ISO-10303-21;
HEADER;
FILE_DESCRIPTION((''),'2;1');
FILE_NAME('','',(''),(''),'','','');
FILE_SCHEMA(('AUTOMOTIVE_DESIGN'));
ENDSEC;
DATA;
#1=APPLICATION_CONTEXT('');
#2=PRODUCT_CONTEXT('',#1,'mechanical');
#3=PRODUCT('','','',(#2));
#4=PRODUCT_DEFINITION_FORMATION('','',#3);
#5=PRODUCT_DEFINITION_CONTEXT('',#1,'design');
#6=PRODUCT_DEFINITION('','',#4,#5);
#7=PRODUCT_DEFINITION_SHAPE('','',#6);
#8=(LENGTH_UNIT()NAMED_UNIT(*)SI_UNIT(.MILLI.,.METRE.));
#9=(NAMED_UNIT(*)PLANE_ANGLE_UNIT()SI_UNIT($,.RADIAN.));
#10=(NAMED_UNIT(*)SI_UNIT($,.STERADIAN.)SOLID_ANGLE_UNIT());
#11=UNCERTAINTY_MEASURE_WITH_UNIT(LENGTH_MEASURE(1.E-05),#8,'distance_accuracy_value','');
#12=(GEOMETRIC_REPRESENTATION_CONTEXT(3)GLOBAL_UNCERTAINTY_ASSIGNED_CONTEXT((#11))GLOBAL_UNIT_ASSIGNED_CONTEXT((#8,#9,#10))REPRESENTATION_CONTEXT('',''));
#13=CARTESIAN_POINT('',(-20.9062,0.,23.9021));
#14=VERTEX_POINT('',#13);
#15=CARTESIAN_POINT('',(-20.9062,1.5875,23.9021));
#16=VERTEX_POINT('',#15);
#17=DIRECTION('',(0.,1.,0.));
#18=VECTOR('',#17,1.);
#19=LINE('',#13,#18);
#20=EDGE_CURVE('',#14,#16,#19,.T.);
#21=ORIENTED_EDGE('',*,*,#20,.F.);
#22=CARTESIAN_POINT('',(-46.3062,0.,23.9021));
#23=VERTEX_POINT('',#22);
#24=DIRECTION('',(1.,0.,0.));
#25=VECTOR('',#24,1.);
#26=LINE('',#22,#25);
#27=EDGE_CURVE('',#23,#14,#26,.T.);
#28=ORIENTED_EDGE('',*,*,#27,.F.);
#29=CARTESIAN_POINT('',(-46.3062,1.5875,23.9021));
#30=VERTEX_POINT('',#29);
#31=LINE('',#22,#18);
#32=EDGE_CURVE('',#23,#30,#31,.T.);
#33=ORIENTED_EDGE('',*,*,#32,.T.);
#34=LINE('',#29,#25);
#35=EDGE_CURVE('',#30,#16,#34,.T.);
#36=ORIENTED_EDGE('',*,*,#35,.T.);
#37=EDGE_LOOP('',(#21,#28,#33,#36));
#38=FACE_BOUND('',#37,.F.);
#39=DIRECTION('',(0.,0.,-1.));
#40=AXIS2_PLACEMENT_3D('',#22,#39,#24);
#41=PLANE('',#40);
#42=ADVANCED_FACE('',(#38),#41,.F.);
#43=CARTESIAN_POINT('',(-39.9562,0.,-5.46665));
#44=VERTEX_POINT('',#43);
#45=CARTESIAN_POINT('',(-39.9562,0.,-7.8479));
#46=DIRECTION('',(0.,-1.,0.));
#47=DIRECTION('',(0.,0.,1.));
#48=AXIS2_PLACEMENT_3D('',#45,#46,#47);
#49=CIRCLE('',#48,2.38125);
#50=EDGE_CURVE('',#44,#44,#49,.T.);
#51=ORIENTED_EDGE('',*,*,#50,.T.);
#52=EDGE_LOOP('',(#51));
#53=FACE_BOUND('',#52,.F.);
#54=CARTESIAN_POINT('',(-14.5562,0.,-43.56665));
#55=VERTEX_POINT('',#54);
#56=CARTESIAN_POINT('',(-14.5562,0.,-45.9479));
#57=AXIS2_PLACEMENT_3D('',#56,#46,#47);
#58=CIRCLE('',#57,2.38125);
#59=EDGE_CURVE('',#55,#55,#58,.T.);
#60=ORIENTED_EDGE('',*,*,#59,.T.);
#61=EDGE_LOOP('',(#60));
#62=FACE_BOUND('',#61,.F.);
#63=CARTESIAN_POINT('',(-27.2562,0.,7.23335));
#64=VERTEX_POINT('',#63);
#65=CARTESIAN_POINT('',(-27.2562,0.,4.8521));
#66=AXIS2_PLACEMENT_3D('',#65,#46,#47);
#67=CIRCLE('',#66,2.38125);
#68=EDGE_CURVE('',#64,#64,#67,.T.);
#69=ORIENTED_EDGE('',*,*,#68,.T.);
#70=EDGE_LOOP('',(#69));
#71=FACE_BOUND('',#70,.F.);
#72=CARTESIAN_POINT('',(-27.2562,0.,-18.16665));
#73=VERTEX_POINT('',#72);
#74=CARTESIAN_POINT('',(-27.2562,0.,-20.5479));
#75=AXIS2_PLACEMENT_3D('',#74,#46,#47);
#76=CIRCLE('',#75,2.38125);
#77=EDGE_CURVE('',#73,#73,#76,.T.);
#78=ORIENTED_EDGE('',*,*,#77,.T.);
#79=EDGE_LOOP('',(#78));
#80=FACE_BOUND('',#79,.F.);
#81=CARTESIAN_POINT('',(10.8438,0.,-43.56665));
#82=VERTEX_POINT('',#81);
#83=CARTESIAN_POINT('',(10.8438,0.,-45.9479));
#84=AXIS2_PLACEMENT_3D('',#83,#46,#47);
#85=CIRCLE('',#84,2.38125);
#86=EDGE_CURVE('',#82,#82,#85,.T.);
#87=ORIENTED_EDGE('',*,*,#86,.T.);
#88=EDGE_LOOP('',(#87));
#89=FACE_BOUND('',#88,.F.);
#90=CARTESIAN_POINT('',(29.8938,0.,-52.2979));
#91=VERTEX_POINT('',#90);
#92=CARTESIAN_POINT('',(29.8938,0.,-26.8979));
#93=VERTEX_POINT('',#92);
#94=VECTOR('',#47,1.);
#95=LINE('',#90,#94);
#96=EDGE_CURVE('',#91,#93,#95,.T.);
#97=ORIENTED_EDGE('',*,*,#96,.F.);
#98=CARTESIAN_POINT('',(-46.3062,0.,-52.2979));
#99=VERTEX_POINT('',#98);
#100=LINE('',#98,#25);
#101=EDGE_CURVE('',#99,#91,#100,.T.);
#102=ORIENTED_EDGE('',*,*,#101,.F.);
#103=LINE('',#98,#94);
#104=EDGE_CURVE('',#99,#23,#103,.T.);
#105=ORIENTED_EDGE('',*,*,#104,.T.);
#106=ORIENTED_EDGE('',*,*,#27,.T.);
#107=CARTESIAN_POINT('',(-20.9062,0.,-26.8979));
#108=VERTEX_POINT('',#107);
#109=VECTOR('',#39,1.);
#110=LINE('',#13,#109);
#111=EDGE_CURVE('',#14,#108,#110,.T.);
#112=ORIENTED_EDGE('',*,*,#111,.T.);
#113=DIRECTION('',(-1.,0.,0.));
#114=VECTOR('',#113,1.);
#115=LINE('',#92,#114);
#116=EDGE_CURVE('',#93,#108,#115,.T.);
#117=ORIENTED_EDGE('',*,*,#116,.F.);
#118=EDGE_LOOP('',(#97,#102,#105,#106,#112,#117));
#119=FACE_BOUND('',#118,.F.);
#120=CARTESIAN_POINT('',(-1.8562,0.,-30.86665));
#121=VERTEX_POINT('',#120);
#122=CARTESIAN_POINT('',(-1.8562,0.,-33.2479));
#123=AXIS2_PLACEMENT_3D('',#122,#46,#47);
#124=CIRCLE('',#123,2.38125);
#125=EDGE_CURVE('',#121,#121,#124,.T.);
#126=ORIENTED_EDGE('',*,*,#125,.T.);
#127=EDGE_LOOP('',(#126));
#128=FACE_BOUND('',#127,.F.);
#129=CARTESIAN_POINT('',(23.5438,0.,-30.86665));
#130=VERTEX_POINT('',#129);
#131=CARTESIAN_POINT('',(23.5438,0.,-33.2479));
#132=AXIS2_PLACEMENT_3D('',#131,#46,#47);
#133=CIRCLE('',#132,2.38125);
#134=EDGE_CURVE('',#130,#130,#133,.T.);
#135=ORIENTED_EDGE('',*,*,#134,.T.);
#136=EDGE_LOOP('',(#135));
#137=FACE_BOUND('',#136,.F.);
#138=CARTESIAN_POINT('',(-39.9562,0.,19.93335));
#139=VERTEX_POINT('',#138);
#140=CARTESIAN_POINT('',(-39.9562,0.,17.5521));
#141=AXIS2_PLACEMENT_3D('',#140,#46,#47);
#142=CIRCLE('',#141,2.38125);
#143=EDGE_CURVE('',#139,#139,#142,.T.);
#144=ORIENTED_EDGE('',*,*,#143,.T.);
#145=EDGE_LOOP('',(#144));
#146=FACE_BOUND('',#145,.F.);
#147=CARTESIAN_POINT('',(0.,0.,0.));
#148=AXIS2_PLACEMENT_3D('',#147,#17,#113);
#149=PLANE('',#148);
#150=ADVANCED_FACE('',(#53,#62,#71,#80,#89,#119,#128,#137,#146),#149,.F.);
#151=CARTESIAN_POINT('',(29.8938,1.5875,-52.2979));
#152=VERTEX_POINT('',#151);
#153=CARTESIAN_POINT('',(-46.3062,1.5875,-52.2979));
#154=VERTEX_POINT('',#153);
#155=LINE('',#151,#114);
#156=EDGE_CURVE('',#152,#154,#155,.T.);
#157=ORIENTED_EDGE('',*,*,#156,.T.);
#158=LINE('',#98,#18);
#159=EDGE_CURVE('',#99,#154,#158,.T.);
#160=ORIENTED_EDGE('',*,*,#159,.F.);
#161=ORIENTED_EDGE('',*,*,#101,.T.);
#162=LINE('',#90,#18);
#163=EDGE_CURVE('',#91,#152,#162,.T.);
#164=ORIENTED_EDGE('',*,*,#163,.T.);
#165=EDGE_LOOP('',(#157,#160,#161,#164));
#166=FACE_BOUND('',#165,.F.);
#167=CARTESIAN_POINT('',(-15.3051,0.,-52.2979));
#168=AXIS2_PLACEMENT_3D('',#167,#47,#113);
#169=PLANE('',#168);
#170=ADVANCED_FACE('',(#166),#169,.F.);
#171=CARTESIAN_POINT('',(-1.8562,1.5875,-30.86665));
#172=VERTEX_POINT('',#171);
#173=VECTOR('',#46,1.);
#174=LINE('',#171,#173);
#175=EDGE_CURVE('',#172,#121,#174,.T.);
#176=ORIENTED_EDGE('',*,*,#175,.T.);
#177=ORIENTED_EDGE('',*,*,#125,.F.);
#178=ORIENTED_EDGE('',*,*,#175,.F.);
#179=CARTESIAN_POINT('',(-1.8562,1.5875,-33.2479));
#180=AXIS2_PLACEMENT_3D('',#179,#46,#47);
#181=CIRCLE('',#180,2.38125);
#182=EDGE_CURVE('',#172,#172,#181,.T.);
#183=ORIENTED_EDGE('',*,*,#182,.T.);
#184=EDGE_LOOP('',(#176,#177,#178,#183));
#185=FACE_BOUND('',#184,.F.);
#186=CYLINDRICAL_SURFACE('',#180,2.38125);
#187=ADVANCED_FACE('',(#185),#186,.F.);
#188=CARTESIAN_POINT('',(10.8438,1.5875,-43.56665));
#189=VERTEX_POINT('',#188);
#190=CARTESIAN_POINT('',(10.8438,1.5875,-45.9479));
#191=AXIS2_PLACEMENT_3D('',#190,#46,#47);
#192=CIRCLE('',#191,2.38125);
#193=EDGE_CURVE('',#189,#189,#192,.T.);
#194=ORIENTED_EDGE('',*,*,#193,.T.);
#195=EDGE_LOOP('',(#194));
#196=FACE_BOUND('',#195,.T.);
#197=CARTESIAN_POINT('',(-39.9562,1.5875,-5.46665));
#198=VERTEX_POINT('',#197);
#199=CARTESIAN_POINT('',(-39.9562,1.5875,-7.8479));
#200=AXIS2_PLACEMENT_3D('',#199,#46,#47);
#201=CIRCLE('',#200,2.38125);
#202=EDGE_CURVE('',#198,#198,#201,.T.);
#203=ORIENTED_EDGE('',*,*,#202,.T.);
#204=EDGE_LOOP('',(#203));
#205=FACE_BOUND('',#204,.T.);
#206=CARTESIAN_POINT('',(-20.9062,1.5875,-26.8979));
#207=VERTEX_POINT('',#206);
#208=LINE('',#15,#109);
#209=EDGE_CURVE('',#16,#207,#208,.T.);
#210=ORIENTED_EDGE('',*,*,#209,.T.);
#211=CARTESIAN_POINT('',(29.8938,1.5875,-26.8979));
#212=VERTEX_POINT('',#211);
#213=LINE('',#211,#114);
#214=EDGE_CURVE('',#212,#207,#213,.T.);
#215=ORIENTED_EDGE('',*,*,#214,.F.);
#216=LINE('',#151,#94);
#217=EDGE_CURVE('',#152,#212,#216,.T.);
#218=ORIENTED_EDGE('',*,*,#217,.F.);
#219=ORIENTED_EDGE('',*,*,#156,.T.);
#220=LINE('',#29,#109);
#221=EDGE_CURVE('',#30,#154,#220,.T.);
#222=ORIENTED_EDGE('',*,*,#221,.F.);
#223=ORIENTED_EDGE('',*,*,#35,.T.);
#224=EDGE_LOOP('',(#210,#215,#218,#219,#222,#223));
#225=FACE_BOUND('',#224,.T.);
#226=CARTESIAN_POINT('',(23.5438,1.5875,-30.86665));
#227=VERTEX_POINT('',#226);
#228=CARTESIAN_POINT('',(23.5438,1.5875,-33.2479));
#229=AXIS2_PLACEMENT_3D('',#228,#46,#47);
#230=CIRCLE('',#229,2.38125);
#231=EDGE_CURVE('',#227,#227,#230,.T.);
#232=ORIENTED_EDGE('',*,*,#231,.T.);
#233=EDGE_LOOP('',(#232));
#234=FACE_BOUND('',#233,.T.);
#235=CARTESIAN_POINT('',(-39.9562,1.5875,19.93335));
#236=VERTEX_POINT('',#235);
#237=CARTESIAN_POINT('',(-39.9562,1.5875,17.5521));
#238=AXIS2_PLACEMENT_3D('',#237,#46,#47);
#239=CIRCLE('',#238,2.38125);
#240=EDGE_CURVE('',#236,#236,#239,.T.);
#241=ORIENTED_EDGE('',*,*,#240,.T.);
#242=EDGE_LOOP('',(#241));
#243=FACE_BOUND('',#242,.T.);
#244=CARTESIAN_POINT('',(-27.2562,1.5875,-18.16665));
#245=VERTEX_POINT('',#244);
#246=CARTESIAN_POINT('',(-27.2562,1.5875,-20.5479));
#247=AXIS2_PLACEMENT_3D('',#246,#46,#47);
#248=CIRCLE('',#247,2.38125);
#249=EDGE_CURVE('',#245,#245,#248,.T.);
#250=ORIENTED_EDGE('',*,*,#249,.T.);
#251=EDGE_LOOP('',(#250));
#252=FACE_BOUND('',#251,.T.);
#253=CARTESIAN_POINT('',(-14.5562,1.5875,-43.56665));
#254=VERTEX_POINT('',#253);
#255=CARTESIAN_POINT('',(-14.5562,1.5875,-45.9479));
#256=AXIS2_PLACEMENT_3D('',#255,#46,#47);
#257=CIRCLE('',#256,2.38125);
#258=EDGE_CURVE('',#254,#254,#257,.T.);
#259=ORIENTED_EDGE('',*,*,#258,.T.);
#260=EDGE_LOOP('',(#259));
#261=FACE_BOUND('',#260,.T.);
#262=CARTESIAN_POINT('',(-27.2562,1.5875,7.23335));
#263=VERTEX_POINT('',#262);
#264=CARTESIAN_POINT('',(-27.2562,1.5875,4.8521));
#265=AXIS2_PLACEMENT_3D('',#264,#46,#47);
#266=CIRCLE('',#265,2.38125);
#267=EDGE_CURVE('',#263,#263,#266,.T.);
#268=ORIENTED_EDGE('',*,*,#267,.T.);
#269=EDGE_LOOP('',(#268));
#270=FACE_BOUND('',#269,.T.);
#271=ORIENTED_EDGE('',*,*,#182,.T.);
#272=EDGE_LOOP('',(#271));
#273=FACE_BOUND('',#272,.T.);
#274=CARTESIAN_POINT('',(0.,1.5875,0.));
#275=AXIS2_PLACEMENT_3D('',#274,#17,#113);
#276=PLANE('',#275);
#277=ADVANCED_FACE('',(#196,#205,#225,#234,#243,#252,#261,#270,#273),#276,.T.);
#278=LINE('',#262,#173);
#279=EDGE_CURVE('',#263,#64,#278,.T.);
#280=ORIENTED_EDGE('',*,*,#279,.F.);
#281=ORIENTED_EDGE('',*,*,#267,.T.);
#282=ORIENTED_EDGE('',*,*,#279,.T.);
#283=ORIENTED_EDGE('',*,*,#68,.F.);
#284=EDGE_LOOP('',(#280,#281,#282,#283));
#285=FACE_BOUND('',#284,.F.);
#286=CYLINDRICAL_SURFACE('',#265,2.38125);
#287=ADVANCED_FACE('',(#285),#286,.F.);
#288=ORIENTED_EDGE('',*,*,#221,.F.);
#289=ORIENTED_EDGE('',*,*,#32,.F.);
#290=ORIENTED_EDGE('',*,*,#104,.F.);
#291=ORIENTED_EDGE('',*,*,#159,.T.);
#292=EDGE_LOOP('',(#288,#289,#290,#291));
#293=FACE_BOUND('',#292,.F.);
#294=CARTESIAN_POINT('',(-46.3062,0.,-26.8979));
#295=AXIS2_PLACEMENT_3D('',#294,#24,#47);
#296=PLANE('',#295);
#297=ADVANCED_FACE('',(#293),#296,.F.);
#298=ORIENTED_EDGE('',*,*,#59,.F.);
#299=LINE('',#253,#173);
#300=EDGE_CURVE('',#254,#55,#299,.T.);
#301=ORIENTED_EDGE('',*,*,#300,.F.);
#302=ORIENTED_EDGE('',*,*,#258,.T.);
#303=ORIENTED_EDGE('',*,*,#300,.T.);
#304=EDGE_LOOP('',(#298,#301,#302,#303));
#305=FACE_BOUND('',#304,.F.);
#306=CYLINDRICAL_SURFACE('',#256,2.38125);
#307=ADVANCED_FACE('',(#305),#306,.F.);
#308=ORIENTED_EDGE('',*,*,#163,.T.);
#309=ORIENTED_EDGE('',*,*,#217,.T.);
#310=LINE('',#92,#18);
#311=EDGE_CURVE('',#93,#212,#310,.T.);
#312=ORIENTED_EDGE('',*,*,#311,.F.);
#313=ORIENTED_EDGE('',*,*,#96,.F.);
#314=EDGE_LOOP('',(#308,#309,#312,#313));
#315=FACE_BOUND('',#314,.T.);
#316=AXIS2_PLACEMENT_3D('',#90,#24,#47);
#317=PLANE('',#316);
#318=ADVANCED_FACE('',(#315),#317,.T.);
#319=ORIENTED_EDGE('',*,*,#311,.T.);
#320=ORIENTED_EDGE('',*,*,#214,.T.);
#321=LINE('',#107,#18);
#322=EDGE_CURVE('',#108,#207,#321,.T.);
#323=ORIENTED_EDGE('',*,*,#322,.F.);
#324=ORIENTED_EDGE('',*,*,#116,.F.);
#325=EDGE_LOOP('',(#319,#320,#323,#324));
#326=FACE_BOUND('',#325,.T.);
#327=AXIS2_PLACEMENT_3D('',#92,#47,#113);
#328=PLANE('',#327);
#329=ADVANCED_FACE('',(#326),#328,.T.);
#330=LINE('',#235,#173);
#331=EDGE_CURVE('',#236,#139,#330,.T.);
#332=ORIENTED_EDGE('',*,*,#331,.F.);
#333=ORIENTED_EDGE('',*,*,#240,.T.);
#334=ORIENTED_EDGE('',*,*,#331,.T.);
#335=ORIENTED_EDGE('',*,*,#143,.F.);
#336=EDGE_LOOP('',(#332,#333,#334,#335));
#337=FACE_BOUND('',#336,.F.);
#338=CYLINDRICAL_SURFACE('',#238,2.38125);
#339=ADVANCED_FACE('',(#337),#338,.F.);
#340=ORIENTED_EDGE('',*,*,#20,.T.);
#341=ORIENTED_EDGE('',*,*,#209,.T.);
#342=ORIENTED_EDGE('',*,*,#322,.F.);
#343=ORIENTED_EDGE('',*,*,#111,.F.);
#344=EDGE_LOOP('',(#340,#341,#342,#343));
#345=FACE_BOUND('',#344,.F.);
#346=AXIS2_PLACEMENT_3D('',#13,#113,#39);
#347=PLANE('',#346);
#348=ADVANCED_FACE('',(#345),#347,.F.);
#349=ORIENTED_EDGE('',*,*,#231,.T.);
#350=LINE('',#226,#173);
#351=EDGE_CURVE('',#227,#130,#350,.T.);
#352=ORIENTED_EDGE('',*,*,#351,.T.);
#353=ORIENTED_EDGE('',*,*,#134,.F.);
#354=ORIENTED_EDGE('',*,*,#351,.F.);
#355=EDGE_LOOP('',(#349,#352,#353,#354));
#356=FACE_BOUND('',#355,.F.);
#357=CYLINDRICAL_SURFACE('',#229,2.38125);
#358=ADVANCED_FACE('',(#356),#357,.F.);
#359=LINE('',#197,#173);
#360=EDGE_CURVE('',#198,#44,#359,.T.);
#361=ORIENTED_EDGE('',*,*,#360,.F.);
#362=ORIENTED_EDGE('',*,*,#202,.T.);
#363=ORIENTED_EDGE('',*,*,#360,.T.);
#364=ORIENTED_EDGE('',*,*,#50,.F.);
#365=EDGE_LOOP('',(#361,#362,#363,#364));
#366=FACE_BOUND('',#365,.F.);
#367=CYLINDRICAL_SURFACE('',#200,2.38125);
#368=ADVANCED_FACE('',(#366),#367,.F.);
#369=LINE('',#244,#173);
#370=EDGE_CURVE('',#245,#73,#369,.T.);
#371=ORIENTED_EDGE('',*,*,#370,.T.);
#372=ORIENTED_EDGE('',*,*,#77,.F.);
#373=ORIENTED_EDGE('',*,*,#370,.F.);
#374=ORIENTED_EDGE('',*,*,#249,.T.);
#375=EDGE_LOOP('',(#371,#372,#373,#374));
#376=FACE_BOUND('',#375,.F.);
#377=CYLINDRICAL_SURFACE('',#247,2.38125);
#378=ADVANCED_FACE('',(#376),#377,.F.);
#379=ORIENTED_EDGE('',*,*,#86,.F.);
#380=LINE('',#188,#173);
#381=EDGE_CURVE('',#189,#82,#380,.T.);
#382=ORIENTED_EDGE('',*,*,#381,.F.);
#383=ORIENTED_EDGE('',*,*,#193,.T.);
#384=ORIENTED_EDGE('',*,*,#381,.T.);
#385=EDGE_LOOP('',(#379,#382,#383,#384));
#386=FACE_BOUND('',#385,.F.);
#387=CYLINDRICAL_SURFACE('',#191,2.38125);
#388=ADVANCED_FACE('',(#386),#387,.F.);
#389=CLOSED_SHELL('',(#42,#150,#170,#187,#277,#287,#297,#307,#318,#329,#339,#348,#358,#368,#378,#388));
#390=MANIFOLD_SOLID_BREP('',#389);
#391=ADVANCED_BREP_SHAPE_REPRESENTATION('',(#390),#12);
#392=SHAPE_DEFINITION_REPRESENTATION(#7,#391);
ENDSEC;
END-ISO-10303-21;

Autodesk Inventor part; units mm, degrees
ref_plane "YZ Plane" through (0, 0, 0) normal (1, 0, 0) x (0, 1, 0)
ref_plane "XZ Plane" through (0, 0, 0) normal (0, 1, 0) x (-1, 0, 0)
ref_plane "XY Plane" through (0, 0, 0) normal (0, 0, 1) x (1, 0, 0)
sketch "Sketch1" plane through (0, 0, 0) normal (0, 1, 0) x (-1, 0, 0)
  line L0 (46.3062, 23.9021) -> (20.9062, 23.9021)
  line L1 (20.9062, 23.9021) -> (20.9062, -26.8979)
  line L2 (15.3051, -52.2979) -> (46.3062, -52.2979)
  line L3 (46.3062, -52.2979) -> (46.3062, 23.9021)
  line L4 (46.3062, -52.2979) -> (-29.8938, -52.2979)
  line L5 (-29.8938, -52.2979) -> (-29.8938, -26.8979)
  line L6 (-29.8938, -26.8979) -> (20.9062, -26.8979)
  line L7 (46.3062, -26.8979) -> (46.3062, -52.2979)
  point P0 (0, 0)
  dimension "d0" = 25.4
  dimension "d1" = 25.4
  dimension "d2" = 76.2
  dimension "d3" = 76.2
extrude "Extrusion1" add sketch "Sketch1" along normal blind 1.5875
sketch "Sketch2" plane through (0, 1.5875, 0) normal (0, 1, 0) x (1, 0, 0)
  line L0 (-46.3062, -23.9021) -> (-20.9062, -23.9021) projected
  line L1 (-46.3062, 52.2979) -> (-46.3062, -23.9021) projected
  line L2 (-20.9062, -23.9021) -> (-20.9062, 26.8979) projected
  point P0 (0, 0)
  point P1 (-39.9562, -17.5521)
  point P2 (-27.2562, -4.8521)
  point P3 (-39.9562, 7.8479)
  point P4 (-27.2562, 20.5479)
  dimension "d6" = 6.35
  dimension "d7" = 6.35
  dimension "d8" = 6.35
  dimension "d9" = 12.7
  dimension "d10" = 12.7
  dimension "d11" = 6.35
  dimension "d12" = 12.7
  dimension "d13" = 6.35
hole "Hole1" at (-39.9562, 1.5875, 17.5521) at (-27.2562, 1.5875, 4.8521) at (-39.9562, 1.5875, -7.8479) at (-27.2562, 1.5875, -20.5479) direction (0, -1, 0) diameter 4.7625 depth 25.4 tip angle 118
sketch "Sketch3" plane through (0, 1.5875, 0) normal (0, 1, 0) x (1, 0, 0)
  line L0 (29.8938, 26.8979) -> (29.8938, 52.2979) projected
  line L1 (-20.9062, 26.8979) -> (29.8938, 26.8979) projected
  line L2 (29.8938, 52.2979) -> (-46.3062, 52.2979) projected
  point P0 (0, 0)
  point P1 (-14.5562, 45.9479)
  point P2 (-1.8562, 33.2479)
  point P3 (23.5438, 33.2479)
  point P4 (10.8438, 45.9479)
  dimension "d21" = 6.35
  dimension "d22" = 6.35
  dimension "d23" = 12.7
  dimension "d24" = 6.35
  dimension "d25" = 12.7
  dimension "d26" = 6.35
  dimension "d27" = 12.7
  dimension "d28" = 6.35
hole "Hole2" at (-14.5562, 1.5875, -45.9479) at (-1.8562, 1.5875, -33.2479) at (23.5438, 1.5875, -33.2479) at (10.8438, 1.5875, -45.9479) direction (0, -1, 0) diameter 4.7625 depth 25.4 tip angle 118
equation "\"d0\" = ElvBeamWidth"
equation "\"d1\" = ElvBeamWidth"
equation "\"d2\" = ElvRivetPlateLength"
equation "\"d3\" = ElvRivetPlateLength"
equation "\"d4\" = ElvWallWidth"
equation "\"ElvCrossBeamLength\" = 304.8"
equation "\"ElvFixedBeamLength\" = 990.6"
equation "\"ElvMiddleBeamLength\" = 990.6"
equation "\"ElvFrontBeamLength\" = 990.6"
equation "\"ElvEndEffectLength\" = 431.8"
equation "\"ElvBeamWidth\" = 25.4"
equation "\"ElvWallWidth\" = 1.5875"
equation "\"ElvDelWidth\" = 18.542"
equation "\"ElvDelHeight\" = 101.6"
equation "\"ElvDelFrontTabLength\" = 6.35"
equation "\"ElvDelDepth\" = 6.35"
equation "\"ElvTopBeamLength\" = 457.2"
equation "\"ElvHoleFromFront\" = 25.4"
equation "\"ElvHoleFromMid\" = 38.1"
equation "\"ElvHoleFromFixed\" = 50.8"
equation "\"ElvHoleFromBottom\" = 38.1"
equation "\"ElvRivetPlateLength\" = 76.2"
equation "\"ElvDelMiddleTabLength\" = 6.35"
properties part number "elvRivetPlate"
